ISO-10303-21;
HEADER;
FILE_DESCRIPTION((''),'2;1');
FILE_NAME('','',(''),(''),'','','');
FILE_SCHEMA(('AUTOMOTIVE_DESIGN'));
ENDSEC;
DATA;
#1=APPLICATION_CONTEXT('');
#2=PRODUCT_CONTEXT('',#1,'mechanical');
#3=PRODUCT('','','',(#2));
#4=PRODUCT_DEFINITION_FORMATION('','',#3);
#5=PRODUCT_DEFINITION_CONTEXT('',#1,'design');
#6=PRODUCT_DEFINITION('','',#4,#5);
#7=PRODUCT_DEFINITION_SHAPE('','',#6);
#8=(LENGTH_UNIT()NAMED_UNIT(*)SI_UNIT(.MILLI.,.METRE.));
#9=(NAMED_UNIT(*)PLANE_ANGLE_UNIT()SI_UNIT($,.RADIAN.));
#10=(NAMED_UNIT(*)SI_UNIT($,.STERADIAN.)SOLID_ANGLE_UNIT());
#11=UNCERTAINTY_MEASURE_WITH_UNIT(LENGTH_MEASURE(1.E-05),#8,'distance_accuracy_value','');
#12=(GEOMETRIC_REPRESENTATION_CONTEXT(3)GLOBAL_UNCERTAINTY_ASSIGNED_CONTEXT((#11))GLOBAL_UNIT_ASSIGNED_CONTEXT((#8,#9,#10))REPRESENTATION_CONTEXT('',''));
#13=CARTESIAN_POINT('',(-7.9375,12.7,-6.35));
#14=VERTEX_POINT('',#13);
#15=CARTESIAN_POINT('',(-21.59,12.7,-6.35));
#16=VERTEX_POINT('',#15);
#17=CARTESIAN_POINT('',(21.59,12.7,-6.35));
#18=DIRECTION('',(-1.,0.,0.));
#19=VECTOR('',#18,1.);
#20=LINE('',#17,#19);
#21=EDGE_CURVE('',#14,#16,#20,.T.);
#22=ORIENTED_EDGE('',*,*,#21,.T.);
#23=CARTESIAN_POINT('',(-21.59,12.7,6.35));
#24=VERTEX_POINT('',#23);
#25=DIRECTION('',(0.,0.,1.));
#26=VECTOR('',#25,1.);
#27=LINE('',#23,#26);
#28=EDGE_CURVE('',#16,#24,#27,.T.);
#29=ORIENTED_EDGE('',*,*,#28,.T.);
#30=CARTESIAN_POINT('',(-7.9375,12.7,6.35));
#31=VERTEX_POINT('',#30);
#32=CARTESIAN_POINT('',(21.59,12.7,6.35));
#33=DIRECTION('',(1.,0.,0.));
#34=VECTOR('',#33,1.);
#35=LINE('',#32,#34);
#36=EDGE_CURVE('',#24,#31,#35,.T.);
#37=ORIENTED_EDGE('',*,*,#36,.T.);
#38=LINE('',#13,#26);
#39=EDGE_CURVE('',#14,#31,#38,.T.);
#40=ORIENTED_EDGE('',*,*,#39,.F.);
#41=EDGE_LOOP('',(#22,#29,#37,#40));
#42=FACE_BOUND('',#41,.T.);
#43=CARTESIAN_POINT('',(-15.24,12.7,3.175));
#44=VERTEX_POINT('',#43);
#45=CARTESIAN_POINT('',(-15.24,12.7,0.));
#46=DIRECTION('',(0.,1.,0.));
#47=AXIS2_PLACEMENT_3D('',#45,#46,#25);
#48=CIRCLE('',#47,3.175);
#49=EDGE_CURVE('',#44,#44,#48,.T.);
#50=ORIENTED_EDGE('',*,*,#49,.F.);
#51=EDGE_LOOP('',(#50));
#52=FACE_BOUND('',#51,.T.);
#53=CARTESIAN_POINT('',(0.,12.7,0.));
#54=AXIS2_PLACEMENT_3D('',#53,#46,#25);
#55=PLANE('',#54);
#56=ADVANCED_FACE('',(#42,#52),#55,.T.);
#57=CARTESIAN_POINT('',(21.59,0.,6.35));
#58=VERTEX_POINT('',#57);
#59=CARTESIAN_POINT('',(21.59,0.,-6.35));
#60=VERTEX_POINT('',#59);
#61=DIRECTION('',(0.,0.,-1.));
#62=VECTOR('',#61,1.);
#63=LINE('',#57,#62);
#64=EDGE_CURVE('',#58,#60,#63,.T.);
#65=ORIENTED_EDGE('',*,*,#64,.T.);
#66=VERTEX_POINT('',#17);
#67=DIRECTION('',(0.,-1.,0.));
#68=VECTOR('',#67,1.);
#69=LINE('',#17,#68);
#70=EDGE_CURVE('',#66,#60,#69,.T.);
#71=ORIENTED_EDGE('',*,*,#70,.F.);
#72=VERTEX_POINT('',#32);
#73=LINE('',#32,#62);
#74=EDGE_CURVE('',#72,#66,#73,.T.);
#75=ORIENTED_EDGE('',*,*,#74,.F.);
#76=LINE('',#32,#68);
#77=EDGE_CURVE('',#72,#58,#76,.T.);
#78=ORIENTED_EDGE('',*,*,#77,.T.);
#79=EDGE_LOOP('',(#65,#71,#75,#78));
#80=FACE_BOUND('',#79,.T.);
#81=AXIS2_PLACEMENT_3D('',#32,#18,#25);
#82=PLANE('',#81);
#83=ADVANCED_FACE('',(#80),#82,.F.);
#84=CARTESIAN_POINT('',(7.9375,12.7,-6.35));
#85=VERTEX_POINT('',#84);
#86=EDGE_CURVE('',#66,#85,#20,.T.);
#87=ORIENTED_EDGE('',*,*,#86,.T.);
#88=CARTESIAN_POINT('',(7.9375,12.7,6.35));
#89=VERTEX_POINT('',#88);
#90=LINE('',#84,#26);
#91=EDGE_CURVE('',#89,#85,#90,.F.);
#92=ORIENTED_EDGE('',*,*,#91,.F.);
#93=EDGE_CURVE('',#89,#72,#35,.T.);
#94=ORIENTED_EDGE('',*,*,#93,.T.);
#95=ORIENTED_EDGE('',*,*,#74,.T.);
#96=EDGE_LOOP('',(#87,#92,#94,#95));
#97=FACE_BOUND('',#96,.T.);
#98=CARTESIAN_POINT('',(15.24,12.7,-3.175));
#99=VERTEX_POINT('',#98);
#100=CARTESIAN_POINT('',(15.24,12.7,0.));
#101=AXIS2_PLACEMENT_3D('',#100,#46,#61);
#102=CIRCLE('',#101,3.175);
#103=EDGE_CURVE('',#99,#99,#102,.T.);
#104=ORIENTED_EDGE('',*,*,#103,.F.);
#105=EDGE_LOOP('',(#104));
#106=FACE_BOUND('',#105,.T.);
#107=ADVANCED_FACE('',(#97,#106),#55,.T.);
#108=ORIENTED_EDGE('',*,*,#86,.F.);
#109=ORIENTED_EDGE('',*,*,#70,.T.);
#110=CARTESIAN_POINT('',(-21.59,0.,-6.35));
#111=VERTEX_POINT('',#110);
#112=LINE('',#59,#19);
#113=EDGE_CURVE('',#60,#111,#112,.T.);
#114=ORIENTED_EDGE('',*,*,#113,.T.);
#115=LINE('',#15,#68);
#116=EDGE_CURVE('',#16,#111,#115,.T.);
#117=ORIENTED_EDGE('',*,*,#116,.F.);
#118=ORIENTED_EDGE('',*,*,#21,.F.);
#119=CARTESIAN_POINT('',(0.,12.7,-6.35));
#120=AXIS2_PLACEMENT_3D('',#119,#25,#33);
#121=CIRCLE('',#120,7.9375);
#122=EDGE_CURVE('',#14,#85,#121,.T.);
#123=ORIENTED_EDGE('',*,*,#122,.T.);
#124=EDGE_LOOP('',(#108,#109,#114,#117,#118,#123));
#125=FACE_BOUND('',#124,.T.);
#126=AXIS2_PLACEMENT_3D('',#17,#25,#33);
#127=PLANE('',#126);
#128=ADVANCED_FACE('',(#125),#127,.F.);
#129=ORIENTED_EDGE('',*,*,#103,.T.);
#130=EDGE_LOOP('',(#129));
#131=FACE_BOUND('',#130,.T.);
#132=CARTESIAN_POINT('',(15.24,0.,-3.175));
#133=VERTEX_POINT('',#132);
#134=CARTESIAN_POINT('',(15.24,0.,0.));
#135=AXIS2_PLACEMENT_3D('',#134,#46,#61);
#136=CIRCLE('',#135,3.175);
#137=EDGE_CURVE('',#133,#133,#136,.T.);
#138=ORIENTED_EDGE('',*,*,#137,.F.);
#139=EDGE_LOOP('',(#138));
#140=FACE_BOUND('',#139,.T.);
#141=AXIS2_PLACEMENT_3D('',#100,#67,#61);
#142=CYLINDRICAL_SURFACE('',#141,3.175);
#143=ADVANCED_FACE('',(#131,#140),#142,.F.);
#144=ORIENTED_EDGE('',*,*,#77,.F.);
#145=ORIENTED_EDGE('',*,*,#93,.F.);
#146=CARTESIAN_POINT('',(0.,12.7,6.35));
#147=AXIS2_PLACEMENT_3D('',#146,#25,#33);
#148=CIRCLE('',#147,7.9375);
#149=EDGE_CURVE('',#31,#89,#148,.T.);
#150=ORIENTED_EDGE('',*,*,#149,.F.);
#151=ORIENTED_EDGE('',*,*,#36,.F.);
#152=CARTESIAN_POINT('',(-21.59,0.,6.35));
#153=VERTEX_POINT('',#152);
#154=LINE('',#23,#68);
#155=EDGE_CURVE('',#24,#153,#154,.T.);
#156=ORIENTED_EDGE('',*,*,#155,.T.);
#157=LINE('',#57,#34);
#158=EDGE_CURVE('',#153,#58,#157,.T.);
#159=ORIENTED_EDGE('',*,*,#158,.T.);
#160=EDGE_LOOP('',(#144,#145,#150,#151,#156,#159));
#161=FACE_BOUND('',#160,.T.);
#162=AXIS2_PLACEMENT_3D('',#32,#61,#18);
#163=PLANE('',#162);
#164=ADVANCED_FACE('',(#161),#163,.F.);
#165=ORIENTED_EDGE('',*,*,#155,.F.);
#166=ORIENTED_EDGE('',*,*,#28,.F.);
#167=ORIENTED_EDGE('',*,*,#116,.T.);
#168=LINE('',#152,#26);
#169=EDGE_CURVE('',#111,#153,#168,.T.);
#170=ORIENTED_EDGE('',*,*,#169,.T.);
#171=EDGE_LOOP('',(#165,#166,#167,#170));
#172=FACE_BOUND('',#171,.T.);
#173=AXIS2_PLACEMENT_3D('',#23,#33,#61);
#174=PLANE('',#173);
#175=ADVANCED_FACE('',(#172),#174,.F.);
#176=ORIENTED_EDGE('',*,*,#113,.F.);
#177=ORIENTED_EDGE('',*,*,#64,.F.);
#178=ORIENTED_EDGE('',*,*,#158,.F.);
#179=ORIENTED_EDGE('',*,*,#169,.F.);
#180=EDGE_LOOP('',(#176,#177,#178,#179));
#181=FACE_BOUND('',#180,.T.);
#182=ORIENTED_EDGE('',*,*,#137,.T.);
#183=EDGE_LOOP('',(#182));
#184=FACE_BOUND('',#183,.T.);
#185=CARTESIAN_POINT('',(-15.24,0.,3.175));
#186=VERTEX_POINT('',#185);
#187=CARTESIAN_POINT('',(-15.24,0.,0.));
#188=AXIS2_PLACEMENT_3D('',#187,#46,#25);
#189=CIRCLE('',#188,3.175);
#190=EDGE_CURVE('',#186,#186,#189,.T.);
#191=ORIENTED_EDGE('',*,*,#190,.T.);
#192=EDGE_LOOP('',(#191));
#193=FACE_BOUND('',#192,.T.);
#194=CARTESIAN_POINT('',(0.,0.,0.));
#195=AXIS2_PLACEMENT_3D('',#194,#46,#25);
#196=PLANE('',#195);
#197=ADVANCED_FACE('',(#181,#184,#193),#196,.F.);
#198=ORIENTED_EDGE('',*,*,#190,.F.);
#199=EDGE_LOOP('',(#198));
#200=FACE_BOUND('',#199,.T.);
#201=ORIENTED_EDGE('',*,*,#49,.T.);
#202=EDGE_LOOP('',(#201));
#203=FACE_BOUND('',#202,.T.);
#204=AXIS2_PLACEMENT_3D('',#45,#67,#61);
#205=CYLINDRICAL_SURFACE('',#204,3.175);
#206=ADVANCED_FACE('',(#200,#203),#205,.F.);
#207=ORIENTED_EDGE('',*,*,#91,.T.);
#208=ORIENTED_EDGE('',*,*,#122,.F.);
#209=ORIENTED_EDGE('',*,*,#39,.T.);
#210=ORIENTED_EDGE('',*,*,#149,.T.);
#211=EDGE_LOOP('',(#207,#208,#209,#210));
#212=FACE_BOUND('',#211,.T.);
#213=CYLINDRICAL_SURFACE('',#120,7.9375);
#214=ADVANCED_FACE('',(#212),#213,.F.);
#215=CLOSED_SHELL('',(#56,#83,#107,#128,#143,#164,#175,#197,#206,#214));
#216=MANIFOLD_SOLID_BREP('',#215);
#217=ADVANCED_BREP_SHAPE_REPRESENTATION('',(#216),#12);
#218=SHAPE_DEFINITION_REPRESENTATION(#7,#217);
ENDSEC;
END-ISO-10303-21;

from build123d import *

# Parameters (mm, degrees)
SKETCH2_W           = 43.18
SKETCH2_H           = 12.7
SKETCH2_R           = 3.175
BOSS_EXTRUDE1_DEPTH = 12.7
SKETCH3_R           = 7.9375
CUT_EXTRUDE1_DEPTH  = 29.083947372


with BuildPart() as part:
    # Sketch2 → Boss-Extrude1 (new body)
    with BuildSketch(Plane(origin=(0, 0, 0), x_dir=(1, 0, 0), z_dir=(0, 1, 0))):
        Rectangle(SKETCH2_W, SKETCH2_H)
        with Locations(Location((-15.24, 0, 0), (0, 0, 270))):
            Circle(SKETCH2_R, mode=Mode.SUBTRACT)
        with Locations(Location((15.24, 0, 0), (0, 0, 90))):
            Circle(SKETCH2_R, mode=Mode.SUBTRACT)
    extrude(amount=BOSS_EXTRUDE1_DEPTH)

    # Sketch3 → Cut-Extrude1 (cut, through all)
    with BuildSketch(Plane.XY.offset(6.35)):
        with Locations((0, 12.7)):
            Circle(SKETCH3_R)
    extrude(amount=-CUT_EXTRUDE1_DEPTH, mode=Mode.SUBTRACT)


solid = part.part
